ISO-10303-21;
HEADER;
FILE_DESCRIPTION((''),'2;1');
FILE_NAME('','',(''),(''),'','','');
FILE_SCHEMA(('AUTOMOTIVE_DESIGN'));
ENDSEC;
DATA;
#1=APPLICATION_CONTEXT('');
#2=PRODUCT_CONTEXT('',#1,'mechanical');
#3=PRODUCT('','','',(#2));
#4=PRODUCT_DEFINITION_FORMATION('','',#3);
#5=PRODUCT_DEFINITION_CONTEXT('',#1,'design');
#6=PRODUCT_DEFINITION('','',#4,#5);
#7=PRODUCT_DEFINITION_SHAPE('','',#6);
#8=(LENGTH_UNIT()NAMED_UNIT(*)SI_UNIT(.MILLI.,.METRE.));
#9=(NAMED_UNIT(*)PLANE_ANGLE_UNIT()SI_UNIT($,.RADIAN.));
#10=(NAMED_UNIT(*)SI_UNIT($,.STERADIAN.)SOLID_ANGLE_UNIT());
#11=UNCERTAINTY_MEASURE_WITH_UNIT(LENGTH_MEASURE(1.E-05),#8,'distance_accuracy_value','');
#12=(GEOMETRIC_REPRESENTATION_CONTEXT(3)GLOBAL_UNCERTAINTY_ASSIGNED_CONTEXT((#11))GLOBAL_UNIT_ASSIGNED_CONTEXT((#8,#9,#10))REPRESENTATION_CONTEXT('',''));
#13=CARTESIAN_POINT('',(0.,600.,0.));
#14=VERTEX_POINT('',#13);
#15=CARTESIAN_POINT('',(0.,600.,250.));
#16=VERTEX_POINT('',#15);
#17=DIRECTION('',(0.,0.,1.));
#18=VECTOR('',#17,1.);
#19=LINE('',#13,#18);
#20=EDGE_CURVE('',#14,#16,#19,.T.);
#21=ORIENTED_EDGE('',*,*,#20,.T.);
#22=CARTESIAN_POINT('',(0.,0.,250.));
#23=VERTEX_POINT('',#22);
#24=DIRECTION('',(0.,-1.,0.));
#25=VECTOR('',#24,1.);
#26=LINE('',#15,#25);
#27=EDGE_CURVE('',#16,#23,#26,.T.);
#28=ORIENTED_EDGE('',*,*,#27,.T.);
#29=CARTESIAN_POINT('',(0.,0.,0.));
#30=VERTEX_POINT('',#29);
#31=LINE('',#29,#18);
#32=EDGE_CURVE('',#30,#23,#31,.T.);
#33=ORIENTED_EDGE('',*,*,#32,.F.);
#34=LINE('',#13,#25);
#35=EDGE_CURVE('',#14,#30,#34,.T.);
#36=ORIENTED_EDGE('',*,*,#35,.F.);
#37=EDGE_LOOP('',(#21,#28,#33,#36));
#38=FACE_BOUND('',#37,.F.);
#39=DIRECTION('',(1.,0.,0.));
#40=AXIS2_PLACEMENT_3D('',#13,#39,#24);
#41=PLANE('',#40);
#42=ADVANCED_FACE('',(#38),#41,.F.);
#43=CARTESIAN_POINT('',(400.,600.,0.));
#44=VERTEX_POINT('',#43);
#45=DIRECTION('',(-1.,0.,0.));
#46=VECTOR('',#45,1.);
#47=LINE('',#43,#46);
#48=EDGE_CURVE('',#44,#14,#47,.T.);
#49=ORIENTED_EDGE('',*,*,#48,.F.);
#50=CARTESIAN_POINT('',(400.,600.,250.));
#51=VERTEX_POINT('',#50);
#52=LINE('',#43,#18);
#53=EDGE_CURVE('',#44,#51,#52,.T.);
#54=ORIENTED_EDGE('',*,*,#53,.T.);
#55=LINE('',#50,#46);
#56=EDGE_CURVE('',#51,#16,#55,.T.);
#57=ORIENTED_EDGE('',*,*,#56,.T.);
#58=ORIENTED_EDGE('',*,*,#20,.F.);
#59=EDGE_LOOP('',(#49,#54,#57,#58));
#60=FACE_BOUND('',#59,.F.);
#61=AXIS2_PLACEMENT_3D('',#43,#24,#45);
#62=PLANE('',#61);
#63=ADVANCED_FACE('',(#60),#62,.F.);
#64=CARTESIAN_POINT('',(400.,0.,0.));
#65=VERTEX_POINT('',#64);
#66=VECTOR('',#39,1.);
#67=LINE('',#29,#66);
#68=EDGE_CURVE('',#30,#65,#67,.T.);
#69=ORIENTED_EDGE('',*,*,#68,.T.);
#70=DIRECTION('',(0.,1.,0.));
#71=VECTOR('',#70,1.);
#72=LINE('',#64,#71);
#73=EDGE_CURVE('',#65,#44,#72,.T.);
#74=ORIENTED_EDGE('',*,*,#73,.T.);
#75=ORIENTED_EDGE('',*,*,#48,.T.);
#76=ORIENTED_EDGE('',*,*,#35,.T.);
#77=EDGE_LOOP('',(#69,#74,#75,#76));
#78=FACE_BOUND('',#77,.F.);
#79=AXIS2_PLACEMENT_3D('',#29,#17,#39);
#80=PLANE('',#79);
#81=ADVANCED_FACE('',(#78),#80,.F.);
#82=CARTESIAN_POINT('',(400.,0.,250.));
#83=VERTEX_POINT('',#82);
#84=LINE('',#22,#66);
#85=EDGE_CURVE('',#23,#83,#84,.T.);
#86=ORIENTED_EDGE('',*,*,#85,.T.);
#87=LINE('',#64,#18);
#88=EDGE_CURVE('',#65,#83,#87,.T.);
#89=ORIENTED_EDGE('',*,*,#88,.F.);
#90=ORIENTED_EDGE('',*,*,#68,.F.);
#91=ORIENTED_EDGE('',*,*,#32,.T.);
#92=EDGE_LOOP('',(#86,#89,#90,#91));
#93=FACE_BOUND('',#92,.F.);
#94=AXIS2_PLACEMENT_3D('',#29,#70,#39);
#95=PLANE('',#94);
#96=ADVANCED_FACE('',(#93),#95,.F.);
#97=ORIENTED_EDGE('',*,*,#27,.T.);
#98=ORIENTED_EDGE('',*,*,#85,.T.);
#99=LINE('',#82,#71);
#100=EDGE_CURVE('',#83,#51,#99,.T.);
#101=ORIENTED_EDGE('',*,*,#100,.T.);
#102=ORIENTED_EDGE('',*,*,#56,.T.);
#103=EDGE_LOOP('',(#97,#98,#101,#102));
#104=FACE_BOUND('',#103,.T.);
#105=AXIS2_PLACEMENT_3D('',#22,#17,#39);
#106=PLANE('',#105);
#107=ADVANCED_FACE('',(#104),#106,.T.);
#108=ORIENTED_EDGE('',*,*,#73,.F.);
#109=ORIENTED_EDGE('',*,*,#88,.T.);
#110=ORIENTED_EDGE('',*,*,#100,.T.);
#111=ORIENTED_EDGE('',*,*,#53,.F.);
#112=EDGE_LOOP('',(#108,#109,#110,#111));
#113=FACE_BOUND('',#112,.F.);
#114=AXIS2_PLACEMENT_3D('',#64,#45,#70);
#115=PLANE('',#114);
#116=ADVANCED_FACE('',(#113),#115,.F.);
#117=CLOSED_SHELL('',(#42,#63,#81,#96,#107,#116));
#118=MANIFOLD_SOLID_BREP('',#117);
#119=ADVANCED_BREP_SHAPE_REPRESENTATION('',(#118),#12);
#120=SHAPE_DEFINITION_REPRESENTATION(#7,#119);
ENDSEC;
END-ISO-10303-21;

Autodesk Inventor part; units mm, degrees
ref_plane "YZ Plane" through (0, 0, 0) normal (1, 0, 0) x (0, 1, 0)
ref_plane "XZ Plane" through (0, 0, 0) normal (0, 1, 0) x (-1, 0, 0)
ref_plane "XY Plane" through (0, 0, 0) normal (0, 0, 1) x (1, 0, 0)
sketch "Sketch1" plane through (0, 0, 0) normal (0, 0, 1) x (1, 0, 0)
  line L0 (0, 0) -> (400, 0)
  line L1 (400, 0) -> (400, 600)
  line L2 (400, 600) -> (0, 600)
  line L3 (0, 600) -> (0, 0)
  dimension "d0" = 400
  dimension "d1" = 600
extrude "Extrusion1" add sketch "Sketch1" along normal blind 250
properties part number "Electrical Cabinet"
